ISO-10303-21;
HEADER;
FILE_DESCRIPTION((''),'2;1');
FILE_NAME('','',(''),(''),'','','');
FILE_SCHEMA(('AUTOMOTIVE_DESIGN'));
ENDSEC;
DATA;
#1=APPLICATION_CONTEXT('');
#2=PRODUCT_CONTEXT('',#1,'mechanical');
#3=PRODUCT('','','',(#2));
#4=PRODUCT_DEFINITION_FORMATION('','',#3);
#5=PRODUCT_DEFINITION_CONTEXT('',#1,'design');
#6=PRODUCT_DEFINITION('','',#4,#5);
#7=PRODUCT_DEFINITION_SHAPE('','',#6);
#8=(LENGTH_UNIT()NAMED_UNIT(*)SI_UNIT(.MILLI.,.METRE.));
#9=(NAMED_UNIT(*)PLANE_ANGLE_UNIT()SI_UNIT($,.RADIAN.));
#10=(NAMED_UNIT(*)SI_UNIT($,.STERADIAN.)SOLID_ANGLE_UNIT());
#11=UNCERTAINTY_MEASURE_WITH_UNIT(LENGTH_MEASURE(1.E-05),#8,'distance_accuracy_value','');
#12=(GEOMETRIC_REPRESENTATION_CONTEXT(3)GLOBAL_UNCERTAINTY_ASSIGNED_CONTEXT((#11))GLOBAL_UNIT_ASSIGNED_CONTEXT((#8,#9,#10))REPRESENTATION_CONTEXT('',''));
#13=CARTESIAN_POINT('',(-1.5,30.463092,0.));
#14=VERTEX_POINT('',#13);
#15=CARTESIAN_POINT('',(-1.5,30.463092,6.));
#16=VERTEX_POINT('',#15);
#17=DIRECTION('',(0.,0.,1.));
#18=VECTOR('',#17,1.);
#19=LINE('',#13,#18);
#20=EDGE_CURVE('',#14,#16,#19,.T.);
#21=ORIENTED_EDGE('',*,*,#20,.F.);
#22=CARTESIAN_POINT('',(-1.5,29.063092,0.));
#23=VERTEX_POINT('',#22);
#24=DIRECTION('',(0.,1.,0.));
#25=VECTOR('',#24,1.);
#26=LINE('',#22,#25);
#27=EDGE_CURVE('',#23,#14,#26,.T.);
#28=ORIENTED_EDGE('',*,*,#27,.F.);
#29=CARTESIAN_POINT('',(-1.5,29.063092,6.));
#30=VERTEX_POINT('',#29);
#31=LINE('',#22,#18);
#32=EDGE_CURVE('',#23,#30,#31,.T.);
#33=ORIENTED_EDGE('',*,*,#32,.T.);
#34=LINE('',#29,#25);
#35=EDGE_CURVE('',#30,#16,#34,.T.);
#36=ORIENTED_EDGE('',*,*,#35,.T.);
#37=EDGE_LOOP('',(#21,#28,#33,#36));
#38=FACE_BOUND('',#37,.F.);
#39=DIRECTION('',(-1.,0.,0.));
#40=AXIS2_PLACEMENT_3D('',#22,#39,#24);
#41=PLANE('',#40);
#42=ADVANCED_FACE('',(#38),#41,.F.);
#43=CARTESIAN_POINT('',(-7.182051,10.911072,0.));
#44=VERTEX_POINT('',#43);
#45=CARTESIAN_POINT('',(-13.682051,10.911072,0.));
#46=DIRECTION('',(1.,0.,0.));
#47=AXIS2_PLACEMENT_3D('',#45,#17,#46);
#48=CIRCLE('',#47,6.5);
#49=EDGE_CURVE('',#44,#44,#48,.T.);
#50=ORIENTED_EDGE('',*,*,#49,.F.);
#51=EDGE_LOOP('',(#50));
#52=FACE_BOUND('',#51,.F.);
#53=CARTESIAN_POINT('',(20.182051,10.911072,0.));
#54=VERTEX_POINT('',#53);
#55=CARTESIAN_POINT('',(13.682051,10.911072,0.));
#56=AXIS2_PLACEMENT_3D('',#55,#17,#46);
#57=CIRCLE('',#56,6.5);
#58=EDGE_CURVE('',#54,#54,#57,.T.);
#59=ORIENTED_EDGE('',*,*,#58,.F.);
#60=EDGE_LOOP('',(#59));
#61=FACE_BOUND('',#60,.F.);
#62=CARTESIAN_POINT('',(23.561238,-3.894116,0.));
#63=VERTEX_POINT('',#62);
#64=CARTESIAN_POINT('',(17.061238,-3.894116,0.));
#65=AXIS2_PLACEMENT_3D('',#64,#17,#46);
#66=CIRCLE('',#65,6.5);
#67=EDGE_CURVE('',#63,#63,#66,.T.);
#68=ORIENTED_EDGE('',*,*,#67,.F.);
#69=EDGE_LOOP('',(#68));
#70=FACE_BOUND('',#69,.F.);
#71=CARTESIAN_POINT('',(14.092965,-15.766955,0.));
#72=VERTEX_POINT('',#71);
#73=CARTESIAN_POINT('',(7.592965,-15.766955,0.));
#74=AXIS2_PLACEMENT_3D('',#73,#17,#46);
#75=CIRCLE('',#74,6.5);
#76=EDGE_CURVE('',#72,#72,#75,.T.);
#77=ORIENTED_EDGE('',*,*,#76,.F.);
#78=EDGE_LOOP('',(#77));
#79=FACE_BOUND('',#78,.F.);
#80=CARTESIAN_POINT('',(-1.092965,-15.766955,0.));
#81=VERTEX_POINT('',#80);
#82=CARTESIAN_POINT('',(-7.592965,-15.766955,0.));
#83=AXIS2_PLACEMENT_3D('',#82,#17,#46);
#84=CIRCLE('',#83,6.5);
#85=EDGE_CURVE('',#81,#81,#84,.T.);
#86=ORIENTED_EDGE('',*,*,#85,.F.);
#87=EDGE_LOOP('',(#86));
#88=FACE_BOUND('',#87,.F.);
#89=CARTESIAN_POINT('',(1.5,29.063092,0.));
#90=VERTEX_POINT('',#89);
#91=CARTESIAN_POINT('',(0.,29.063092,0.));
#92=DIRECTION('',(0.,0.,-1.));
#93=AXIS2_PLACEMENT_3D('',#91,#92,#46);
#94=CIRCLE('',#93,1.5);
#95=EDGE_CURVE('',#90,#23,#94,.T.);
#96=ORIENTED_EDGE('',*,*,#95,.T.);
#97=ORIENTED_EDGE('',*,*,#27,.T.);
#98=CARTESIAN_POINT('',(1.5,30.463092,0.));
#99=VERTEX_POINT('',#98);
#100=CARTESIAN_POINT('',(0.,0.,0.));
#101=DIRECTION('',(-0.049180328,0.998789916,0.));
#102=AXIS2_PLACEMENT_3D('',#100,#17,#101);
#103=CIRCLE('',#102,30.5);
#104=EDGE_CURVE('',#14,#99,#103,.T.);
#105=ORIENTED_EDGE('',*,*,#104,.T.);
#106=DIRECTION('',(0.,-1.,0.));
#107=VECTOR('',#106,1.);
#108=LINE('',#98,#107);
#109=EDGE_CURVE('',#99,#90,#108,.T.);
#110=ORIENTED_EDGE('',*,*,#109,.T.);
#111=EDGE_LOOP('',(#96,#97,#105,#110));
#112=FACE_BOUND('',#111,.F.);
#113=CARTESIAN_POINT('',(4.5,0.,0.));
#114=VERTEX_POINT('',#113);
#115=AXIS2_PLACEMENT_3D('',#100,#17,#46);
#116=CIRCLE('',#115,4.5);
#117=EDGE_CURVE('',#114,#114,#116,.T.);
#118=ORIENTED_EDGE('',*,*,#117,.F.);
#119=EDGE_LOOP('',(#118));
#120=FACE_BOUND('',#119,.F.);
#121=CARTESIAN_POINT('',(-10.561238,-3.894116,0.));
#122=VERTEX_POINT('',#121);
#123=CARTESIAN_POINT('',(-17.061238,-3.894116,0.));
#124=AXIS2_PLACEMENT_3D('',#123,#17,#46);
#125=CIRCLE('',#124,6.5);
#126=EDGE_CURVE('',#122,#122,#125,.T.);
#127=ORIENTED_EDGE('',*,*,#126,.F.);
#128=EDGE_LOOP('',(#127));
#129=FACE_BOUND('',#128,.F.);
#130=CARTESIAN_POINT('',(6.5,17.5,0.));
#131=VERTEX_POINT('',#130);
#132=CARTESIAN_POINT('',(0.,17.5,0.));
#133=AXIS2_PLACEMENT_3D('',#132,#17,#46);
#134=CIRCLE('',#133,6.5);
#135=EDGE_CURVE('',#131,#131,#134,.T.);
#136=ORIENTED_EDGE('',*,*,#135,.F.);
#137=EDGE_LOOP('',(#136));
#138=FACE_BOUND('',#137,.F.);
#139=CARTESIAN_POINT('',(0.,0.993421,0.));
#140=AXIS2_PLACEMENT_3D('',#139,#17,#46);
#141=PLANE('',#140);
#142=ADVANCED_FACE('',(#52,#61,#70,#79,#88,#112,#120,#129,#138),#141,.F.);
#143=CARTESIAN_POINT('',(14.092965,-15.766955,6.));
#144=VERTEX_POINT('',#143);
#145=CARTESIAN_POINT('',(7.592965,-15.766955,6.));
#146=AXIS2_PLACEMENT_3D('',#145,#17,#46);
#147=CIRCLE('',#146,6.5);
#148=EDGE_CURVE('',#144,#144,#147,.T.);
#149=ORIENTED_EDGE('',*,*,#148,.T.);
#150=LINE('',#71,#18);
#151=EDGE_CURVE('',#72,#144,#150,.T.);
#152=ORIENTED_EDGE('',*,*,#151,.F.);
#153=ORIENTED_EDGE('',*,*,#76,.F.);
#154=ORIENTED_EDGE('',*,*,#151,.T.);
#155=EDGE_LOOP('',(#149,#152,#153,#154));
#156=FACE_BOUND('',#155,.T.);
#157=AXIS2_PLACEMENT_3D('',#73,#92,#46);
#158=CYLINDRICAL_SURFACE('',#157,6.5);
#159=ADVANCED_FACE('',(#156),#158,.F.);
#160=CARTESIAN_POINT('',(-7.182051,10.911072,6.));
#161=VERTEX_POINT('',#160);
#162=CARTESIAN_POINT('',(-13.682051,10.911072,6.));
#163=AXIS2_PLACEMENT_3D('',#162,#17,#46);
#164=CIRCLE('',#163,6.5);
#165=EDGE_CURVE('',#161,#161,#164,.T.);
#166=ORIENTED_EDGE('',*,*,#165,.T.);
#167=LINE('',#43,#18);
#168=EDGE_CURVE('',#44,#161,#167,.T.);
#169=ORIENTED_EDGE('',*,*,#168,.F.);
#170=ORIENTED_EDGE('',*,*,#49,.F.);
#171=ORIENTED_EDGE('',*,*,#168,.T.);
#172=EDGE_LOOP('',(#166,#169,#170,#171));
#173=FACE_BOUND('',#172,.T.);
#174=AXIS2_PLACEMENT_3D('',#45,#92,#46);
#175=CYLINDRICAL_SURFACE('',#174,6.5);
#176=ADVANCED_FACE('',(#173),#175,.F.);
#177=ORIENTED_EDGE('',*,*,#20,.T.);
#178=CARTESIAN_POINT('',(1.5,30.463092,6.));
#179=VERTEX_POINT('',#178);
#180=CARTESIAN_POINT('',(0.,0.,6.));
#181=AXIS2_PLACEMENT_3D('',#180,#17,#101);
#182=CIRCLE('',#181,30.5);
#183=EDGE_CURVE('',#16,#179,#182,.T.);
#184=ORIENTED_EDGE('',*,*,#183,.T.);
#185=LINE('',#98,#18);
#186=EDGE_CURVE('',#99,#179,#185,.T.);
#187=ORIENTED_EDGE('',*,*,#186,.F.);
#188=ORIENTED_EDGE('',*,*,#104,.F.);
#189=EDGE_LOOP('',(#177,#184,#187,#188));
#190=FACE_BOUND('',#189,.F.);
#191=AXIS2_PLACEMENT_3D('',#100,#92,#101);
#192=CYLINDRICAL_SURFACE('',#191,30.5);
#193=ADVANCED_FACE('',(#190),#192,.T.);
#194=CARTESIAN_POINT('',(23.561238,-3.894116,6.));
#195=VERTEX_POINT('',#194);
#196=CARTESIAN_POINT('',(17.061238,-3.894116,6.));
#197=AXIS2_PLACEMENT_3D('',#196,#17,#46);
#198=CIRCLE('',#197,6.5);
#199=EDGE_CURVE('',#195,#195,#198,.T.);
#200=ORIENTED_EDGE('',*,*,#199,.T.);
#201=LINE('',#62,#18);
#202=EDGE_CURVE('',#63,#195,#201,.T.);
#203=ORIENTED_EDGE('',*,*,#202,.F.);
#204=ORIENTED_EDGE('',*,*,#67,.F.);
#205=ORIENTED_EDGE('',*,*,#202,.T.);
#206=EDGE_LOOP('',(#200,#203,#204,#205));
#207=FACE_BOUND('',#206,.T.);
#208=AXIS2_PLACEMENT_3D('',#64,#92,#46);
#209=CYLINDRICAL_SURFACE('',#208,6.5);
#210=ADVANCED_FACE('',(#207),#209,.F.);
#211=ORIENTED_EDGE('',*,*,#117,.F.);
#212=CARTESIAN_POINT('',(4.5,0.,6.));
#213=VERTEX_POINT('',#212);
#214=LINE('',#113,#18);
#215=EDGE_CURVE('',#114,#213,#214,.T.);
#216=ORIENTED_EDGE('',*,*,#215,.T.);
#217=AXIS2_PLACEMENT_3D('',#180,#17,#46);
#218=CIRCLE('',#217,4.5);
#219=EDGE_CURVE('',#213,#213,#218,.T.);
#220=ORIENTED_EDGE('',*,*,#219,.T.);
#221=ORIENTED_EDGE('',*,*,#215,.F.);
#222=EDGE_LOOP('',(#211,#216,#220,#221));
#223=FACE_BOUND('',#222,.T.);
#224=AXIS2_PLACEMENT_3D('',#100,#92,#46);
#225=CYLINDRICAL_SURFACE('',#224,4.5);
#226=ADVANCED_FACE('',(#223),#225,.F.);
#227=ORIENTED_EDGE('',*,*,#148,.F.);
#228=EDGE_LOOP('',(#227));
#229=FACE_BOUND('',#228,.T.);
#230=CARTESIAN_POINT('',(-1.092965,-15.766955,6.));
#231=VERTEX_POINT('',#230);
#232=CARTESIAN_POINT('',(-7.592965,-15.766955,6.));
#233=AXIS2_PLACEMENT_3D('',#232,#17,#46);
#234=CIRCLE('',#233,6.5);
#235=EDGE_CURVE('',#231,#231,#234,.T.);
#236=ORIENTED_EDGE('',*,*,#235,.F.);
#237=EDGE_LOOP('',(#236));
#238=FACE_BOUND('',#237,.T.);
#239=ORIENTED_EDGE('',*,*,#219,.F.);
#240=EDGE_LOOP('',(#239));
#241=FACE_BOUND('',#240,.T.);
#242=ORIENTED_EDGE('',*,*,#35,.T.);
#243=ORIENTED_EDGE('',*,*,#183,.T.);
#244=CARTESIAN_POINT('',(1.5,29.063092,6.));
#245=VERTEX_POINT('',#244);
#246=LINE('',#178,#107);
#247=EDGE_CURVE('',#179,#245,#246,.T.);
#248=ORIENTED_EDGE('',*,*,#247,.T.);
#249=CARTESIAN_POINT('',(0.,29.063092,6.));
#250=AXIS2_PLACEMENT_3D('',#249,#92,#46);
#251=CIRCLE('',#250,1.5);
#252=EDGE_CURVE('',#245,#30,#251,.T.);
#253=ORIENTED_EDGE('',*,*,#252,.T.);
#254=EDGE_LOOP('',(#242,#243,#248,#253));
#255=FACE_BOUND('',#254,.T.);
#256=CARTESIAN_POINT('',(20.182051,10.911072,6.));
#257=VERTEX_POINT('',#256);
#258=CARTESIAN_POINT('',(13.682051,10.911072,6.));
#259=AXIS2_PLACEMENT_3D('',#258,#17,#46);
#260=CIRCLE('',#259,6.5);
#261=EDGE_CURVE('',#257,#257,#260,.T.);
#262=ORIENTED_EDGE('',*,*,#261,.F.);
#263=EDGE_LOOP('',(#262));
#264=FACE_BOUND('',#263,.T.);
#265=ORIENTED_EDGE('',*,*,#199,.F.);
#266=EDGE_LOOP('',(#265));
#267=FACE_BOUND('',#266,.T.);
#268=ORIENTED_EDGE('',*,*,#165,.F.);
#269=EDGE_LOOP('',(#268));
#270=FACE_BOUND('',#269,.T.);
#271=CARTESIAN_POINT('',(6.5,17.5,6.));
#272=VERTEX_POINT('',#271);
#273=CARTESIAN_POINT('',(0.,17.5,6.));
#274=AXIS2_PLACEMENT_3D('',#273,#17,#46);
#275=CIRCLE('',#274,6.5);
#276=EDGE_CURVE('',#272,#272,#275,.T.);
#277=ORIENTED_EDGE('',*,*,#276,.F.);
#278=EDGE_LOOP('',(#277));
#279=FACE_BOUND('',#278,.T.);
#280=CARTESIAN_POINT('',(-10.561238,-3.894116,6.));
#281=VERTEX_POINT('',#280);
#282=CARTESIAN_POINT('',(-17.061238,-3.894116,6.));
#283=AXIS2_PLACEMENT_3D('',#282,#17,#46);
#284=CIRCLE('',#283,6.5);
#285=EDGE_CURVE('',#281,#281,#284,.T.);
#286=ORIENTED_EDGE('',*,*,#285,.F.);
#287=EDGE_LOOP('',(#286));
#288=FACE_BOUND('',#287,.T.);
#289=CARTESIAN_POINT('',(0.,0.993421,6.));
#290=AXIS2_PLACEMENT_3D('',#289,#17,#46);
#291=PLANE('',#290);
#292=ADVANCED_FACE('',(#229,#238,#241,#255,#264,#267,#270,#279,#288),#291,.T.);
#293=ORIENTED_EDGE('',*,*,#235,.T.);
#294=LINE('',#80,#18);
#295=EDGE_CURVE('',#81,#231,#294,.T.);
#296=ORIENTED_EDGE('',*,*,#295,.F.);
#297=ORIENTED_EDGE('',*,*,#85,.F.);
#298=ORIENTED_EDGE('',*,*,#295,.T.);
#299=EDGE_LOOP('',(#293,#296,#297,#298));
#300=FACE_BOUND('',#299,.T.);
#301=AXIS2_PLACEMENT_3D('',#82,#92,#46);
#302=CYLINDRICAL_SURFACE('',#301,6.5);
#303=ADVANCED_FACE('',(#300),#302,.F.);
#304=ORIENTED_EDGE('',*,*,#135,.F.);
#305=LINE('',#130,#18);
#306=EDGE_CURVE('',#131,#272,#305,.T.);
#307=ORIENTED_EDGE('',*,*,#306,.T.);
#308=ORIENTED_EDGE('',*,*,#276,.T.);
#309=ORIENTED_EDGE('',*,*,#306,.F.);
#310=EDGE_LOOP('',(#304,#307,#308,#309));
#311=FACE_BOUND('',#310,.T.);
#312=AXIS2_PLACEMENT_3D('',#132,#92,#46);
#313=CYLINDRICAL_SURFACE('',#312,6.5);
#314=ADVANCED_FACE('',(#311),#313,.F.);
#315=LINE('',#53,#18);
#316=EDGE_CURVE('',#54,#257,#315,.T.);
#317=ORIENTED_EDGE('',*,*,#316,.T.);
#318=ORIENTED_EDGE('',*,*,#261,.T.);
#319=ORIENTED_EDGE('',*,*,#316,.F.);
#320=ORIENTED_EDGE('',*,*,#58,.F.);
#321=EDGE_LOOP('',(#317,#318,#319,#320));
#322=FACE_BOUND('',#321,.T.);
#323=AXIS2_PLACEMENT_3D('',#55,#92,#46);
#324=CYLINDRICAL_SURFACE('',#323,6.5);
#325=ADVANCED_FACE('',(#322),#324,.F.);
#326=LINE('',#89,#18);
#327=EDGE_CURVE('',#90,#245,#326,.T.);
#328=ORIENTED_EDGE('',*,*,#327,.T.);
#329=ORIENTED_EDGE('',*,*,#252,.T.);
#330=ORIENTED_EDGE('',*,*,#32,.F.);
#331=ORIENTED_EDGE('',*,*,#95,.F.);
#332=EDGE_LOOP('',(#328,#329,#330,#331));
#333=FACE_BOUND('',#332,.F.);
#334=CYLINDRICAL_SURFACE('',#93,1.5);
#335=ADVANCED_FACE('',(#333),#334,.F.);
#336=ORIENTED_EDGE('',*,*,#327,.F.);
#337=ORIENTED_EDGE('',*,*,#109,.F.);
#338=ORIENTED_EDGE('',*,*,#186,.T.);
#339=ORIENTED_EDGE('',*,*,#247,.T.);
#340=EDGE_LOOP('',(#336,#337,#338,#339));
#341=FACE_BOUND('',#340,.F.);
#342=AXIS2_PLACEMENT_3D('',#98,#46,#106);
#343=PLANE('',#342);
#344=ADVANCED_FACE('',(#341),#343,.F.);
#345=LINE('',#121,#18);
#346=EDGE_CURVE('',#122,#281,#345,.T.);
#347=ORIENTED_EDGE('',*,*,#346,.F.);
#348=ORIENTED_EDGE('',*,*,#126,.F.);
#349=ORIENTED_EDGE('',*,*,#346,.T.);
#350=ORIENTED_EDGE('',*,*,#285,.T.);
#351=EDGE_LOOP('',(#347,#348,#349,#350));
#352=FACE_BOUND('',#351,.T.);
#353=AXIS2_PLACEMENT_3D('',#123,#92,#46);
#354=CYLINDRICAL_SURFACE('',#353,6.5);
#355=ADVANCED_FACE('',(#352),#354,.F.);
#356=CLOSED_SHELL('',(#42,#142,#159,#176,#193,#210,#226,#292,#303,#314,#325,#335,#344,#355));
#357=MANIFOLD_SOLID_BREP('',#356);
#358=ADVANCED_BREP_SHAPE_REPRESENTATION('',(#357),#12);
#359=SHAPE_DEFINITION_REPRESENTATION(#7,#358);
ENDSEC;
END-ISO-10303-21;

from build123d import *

# Parameters (mm, degrees)
SKETCH1_R           = 4.5
SKETCH1_R_2         = 6.5
BOSS_EXTRUDE1_DEPTH = 6


with BuildPart() as part:
    # Sketch1 → Boss-Extrude1 (new body)
    with BuildSketch(Plane.XY):
        with BuildLine():
            Line((-1.5, 29.063092423), (-1.5, 30.463092423))
            ThreePointArc((-1.5, 30.463092423), (0, -30.5), (1.5, 30.463092423))
            Line((1.5, 30.463092423), (1.5, 29.063092423))
            ThreePointArc((1.5, 29.063092423), (0, 27.563092423), (-1.5, 29.063092423))
        make_face()
        Circle(SKETCH1_R, mode=Mode.SUBTRACT)
        with Locations((0, 17.5)):
            Circle(SKETCH1_R_2, mode=Mode.SUBTRACT)
        with Locations((13.682050943, 10.911071533)):
            Circle(SKETCH1_R_2, mode=Mode.SUBTRACT)
        with Locations((17.061238463, -3.894116344)):
            Circle(SKETCH1_R_2, mode=Mode.SUBTRACT)
        with Locations((7.592965435, -15.766955188)):
            Circle(SKETCH1_R_2, mode=Mode.SUBTRACT)
        with Locations((-7.592965435, -15.766955188)):
            Circle(SKETCH1_R_2, mode=Mode.SUBTRACT)
        with Locations((-17.061238463, -3.894116344)):
            Circle(SKETCH1_R_2, mode=Mode.SUBTRACT)
        with Locations((-13.682050943, 10.911071533)):
            Circle(SKETCH1_R_2, mode=Mode.SUBTRACT)
    extrude(amount=BOSS_EXTRUDE1_DEPTH)


solid = part.part
